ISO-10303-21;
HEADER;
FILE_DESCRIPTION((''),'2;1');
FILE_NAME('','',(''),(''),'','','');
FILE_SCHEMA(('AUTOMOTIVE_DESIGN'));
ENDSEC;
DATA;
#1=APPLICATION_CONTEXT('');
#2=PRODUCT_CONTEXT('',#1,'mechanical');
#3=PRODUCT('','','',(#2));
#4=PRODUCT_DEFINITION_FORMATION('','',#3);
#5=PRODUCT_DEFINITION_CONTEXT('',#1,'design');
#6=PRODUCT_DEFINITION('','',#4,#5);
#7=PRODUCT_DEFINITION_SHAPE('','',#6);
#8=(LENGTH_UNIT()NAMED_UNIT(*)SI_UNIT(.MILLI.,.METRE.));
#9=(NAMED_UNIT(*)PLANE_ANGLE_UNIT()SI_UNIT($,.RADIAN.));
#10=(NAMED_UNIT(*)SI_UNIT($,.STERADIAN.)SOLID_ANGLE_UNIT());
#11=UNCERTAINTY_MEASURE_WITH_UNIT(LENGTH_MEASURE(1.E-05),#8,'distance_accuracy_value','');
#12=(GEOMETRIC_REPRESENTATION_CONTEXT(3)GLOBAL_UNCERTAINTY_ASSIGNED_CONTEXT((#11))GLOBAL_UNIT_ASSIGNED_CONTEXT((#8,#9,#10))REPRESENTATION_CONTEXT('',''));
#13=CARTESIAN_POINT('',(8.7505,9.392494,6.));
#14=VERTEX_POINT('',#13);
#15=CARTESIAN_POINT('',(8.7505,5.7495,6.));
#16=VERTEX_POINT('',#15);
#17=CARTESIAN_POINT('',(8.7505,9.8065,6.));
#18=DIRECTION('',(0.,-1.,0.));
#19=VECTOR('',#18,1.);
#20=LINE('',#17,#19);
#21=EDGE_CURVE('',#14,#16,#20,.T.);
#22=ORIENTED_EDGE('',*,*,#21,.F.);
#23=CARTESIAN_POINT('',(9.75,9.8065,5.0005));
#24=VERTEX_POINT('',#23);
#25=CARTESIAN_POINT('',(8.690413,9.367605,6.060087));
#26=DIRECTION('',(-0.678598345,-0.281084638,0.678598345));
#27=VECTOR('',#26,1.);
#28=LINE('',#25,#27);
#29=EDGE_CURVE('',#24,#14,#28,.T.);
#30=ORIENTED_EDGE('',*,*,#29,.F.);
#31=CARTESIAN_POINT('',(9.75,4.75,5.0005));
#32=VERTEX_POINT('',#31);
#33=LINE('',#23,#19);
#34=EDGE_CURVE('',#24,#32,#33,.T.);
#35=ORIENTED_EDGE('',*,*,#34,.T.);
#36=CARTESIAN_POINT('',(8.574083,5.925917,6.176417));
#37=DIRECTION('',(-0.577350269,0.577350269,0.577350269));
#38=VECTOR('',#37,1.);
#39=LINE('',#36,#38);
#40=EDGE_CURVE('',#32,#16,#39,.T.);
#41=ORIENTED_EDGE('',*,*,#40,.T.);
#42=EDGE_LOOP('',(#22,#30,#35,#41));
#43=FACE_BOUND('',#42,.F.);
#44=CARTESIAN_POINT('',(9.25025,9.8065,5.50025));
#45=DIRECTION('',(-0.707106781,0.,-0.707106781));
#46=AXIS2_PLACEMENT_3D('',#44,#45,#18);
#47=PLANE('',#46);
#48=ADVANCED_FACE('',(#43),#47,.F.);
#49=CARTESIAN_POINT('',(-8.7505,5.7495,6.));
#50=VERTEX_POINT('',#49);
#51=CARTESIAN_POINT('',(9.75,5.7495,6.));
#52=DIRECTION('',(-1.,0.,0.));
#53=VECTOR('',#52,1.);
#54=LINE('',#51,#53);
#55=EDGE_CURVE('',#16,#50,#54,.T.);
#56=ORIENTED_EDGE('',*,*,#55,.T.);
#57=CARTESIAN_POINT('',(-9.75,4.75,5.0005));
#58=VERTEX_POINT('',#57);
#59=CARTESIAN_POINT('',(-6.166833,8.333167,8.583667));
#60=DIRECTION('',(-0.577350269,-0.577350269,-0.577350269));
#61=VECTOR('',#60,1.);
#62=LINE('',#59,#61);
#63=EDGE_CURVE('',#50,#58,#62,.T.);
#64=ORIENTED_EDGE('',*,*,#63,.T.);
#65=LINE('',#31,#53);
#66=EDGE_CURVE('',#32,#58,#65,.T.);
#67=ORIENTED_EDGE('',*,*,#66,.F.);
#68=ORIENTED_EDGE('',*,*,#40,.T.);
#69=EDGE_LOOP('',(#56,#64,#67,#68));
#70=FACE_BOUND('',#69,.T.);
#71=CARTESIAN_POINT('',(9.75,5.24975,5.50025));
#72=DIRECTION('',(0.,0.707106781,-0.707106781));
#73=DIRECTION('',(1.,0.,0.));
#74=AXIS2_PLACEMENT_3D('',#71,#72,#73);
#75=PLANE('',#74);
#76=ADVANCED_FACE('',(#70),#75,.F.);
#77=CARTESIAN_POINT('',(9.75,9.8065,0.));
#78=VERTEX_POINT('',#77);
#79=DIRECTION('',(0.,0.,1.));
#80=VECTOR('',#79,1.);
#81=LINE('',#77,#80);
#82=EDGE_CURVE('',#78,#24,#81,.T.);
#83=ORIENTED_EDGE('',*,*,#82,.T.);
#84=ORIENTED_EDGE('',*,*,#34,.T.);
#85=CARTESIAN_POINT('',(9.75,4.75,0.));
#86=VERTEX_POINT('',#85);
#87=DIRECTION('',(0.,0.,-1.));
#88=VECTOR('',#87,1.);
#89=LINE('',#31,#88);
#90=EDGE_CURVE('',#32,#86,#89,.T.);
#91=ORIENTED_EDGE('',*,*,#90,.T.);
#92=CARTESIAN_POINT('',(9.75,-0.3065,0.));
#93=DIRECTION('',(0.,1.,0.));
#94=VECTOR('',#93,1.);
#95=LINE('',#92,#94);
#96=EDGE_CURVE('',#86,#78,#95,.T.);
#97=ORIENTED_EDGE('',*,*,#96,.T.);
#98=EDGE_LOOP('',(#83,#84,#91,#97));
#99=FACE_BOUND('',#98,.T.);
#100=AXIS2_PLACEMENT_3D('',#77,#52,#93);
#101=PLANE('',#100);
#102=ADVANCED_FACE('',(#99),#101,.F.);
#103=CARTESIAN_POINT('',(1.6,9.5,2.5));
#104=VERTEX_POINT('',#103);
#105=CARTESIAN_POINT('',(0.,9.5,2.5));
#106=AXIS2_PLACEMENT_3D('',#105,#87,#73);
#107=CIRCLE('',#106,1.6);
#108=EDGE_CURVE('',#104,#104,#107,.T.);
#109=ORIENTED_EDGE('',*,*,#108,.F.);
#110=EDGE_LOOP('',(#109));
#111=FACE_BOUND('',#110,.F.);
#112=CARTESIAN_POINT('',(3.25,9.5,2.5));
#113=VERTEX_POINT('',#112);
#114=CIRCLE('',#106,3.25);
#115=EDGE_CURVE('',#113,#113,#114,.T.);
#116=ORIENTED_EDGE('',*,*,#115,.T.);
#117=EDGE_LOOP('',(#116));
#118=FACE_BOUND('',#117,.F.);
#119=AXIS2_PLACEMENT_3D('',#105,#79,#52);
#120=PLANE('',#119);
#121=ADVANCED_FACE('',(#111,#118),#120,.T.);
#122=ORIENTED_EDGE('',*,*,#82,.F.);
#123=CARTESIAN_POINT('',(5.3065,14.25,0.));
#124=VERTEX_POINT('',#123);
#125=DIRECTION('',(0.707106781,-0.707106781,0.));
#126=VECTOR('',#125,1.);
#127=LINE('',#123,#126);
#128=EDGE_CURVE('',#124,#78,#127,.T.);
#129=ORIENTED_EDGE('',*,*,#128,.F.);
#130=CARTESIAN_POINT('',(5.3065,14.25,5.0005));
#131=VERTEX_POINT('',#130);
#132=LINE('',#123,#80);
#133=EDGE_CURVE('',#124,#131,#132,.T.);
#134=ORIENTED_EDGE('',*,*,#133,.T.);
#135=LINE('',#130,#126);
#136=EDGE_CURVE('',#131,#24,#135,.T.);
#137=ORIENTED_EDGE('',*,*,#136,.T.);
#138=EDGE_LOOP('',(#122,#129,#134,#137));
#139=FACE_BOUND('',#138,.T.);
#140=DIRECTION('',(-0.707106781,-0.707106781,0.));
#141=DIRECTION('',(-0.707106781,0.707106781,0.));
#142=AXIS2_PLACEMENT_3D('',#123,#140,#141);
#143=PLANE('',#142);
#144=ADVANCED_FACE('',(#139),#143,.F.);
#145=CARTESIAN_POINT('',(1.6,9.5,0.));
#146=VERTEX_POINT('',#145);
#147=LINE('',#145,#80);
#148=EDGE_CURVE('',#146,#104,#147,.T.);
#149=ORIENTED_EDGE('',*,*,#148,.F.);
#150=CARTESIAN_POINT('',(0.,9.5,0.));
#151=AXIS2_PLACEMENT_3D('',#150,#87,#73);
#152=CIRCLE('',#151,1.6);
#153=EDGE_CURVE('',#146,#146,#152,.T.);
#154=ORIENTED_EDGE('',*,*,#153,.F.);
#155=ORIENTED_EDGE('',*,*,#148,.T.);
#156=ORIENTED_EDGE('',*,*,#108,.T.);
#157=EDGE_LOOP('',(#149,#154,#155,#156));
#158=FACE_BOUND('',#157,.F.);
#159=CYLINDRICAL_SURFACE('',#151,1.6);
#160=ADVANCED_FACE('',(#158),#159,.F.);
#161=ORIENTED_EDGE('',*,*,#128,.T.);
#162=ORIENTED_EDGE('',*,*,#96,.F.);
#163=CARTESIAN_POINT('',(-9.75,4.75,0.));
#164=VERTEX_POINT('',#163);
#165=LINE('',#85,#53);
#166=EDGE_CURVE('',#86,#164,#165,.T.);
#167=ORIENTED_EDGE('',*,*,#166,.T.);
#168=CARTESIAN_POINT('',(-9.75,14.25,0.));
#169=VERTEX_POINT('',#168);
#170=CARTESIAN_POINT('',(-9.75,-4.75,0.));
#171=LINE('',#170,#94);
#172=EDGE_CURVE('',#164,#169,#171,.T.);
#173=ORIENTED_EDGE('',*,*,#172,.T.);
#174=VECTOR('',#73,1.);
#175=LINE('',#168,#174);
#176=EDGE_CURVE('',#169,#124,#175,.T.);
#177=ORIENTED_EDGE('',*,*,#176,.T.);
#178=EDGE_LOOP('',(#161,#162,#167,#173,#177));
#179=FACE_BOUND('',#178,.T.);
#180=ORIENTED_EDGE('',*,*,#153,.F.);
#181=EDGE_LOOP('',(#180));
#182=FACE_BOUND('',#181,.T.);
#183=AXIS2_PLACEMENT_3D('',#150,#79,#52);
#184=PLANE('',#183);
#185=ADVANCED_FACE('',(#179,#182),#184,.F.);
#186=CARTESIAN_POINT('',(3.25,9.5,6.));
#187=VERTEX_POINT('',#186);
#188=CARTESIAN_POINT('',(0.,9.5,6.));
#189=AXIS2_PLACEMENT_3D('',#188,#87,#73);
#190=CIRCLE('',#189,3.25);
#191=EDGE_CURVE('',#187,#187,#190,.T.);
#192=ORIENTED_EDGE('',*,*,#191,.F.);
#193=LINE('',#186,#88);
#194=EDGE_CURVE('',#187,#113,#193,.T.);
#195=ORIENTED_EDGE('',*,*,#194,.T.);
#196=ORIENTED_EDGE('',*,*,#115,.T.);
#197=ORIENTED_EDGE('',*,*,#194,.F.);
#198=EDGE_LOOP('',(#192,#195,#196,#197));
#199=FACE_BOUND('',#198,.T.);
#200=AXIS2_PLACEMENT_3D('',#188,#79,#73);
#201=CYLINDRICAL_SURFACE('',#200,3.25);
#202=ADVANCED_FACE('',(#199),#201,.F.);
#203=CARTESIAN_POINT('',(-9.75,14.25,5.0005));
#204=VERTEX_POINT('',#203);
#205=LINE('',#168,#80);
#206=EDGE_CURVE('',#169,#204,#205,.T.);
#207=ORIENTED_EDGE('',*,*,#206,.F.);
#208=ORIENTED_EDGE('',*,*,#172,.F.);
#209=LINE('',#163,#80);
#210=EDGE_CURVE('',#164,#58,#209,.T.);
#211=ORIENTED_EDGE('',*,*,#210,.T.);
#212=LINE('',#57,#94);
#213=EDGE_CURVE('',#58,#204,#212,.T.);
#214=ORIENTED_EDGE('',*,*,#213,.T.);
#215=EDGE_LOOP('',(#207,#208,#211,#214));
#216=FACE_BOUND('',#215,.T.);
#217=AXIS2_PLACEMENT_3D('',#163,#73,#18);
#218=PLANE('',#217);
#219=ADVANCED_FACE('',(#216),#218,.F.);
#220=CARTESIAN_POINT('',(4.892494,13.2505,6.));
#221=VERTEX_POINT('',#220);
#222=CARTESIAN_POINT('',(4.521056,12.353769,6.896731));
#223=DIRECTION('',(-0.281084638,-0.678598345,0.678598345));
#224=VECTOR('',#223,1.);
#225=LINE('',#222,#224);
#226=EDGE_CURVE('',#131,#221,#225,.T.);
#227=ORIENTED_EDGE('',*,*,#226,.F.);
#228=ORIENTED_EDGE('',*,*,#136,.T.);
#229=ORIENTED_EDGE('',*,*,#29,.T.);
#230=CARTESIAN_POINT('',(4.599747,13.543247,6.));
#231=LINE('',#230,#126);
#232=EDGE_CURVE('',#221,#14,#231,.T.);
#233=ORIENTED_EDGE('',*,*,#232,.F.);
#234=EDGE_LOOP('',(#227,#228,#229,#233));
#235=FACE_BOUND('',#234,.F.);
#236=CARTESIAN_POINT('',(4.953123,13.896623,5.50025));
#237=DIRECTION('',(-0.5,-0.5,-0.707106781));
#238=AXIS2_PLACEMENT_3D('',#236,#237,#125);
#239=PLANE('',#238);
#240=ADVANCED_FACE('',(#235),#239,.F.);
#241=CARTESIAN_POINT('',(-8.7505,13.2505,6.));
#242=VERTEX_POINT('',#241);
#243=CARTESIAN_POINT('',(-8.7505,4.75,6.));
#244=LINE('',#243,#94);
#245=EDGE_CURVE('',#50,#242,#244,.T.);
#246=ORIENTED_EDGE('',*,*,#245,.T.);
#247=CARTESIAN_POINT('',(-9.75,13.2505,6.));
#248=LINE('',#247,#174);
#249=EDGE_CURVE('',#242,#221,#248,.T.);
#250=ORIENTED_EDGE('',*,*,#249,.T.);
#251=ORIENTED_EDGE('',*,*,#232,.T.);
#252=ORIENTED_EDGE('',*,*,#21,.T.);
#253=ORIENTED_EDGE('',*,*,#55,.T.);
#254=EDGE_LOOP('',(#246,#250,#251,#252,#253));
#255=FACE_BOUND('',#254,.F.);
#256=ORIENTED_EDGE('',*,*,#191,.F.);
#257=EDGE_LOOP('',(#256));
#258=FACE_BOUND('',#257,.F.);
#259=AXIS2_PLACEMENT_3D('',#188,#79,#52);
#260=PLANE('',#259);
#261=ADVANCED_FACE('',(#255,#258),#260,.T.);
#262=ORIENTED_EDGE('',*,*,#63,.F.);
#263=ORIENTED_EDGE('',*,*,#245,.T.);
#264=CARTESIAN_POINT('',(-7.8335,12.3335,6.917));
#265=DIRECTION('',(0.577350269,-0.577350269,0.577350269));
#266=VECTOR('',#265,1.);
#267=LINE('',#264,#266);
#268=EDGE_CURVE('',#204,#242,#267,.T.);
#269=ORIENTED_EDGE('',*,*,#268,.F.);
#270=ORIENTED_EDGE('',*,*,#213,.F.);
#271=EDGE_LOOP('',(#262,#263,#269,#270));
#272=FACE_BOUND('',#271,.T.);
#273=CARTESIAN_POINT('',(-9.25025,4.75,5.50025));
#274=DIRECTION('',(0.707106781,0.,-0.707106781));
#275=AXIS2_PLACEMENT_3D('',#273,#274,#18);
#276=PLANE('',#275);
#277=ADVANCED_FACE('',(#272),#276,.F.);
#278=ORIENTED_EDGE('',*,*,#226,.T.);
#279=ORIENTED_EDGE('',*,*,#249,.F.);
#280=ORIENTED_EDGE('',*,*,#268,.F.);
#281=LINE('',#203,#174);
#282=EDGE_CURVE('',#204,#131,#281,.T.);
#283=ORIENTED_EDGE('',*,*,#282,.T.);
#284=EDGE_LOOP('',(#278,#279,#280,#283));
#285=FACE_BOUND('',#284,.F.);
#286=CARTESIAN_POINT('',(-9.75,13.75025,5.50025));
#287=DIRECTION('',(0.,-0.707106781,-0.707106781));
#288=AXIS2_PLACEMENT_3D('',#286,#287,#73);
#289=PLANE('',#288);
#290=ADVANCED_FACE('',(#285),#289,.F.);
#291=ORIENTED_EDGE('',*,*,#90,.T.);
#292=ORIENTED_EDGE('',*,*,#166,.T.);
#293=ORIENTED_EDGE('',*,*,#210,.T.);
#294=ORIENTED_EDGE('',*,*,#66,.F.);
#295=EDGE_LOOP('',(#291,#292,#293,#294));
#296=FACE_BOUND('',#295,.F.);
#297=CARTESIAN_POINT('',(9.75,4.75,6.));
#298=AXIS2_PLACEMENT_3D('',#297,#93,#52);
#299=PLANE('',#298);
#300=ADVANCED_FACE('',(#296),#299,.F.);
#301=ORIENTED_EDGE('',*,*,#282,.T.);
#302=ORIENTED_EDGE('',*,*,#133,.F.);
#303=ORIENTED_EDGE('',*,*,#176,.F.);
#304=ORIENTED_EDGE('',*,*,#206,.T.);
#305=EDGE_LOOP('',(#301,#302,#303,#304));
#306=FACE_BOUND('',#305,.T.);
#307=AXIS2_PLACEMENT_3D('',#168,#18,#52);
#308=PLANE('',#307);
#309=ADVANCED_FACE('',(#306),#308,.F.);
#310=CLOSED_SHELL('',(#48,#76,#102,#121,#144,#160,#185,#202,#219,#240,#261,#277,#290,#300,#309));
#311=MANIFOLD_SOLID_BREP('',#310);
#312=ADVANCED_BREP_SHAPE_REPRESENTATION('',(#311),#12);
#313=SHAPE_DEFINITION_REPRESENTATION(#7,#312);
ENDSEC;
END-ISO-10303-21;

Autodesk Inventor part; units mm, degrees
ref_plane "YZ Plane" through (0, 0, 0) normal (1, 0, 0) x (0, 1, 0)
ref_plane "XZ Plane" through (0, 0, 0) normal (0, 1, 0) x (-1, 0, 0)
ref_plane "XY Plane" through (0, 0, 0) normal (0, 0, 1) x (1, 0, 0)
sketch "Эскиз1" plane through (0, 0, 0) normal (0, 0, 1) x (1, 0, 0)
  line L0 (10, 5) -> (10, -0.4101) projected
  line L1 (-10, 5) -> (10, 5) projected
  line L2 (-10, -5) -> (-10, 5) projected
  line L3 (5.4101, -5) -> (-10, -5) projected
  line L4 (10, -0.4101) -> (5.4101, -5) projected
  line L5 (9.75, -0.3065) -> (9.75, 4.75)
  line L6 (9.75, 4.75) -> (-9.75, 4.75)
  line L7 (-9.75, 4.75) -> (-9.75, -4.75)
  line L8 (-9.75, -4.75) -> (5.3065, -4.75)
  line L9 (5.3065, -4.75) -> (9.75, -0.3065)
  circle A0 centre (0, 0) radius 1.6 projected
  line L10 (10, 5) -> (10, -0.4101) projected
  line L11 (-10, 5) -> (10, 5) projected
  line L12 (-10, -5) -> (-10, 5) projected
  line L13 (5.4101, -5) -> (-10, -5) projected
  line L14 (10, -0.4101) -> (5.4101, -5) projected
  circle A1 centre (0, 0) radius 1.6 projected
  dimension "d0" = 0.25
extrude "Выдавливание1" add sketch "Эскиз1" along normal blind 6 contours L9 L8 L7 L6 L5
chamfer "Фаска1" distance 1 angle 45 5 edges at (-2.2218, -4.75, 6) (7.5282, -2.5282, 6) (9.75, 2.2218, 6) (0, 4.75, 6) (-9.75, 0, 6)
sketch "Эскиз2" plane through (0, 0, 6) normal (0, 0, 1) x (1, 0, 0)
  circle A0 centre (0, 0) radius 3.25
  dimension "d6" = 6.5
extrude "Выдавливание2" cut sketch "Эскиз2" against normal blind 3.5
mirror "Зеркальное отражение1" about plane through (9.75, 4.75, 0) normal (0, 1, 0) of "Выдавливание1", "Фаска1", "Выдавливание2"
sketch "Эскиз3" plane through (0, 0, 6) normal (0, 0, 1) x (1, 0, 0)
  line L0 (9.75, 4.75) -> (-9.75, 4.75) projected
  line L1 (-9.75, 4.75) -> (11, 4.75)
  line L2 (11, 4.75) -> (11, -6)
  line L3 (11, -6) -> (-9.75, -6)
  line L4 (-9.75, -6) -> (-9.75, 4.75)
  point P0 (0, 0)
extrude "Выдавливание3" cut sketch "Эскиз3" against normal up to surface (6 mm away)
properties part number "leg3"
